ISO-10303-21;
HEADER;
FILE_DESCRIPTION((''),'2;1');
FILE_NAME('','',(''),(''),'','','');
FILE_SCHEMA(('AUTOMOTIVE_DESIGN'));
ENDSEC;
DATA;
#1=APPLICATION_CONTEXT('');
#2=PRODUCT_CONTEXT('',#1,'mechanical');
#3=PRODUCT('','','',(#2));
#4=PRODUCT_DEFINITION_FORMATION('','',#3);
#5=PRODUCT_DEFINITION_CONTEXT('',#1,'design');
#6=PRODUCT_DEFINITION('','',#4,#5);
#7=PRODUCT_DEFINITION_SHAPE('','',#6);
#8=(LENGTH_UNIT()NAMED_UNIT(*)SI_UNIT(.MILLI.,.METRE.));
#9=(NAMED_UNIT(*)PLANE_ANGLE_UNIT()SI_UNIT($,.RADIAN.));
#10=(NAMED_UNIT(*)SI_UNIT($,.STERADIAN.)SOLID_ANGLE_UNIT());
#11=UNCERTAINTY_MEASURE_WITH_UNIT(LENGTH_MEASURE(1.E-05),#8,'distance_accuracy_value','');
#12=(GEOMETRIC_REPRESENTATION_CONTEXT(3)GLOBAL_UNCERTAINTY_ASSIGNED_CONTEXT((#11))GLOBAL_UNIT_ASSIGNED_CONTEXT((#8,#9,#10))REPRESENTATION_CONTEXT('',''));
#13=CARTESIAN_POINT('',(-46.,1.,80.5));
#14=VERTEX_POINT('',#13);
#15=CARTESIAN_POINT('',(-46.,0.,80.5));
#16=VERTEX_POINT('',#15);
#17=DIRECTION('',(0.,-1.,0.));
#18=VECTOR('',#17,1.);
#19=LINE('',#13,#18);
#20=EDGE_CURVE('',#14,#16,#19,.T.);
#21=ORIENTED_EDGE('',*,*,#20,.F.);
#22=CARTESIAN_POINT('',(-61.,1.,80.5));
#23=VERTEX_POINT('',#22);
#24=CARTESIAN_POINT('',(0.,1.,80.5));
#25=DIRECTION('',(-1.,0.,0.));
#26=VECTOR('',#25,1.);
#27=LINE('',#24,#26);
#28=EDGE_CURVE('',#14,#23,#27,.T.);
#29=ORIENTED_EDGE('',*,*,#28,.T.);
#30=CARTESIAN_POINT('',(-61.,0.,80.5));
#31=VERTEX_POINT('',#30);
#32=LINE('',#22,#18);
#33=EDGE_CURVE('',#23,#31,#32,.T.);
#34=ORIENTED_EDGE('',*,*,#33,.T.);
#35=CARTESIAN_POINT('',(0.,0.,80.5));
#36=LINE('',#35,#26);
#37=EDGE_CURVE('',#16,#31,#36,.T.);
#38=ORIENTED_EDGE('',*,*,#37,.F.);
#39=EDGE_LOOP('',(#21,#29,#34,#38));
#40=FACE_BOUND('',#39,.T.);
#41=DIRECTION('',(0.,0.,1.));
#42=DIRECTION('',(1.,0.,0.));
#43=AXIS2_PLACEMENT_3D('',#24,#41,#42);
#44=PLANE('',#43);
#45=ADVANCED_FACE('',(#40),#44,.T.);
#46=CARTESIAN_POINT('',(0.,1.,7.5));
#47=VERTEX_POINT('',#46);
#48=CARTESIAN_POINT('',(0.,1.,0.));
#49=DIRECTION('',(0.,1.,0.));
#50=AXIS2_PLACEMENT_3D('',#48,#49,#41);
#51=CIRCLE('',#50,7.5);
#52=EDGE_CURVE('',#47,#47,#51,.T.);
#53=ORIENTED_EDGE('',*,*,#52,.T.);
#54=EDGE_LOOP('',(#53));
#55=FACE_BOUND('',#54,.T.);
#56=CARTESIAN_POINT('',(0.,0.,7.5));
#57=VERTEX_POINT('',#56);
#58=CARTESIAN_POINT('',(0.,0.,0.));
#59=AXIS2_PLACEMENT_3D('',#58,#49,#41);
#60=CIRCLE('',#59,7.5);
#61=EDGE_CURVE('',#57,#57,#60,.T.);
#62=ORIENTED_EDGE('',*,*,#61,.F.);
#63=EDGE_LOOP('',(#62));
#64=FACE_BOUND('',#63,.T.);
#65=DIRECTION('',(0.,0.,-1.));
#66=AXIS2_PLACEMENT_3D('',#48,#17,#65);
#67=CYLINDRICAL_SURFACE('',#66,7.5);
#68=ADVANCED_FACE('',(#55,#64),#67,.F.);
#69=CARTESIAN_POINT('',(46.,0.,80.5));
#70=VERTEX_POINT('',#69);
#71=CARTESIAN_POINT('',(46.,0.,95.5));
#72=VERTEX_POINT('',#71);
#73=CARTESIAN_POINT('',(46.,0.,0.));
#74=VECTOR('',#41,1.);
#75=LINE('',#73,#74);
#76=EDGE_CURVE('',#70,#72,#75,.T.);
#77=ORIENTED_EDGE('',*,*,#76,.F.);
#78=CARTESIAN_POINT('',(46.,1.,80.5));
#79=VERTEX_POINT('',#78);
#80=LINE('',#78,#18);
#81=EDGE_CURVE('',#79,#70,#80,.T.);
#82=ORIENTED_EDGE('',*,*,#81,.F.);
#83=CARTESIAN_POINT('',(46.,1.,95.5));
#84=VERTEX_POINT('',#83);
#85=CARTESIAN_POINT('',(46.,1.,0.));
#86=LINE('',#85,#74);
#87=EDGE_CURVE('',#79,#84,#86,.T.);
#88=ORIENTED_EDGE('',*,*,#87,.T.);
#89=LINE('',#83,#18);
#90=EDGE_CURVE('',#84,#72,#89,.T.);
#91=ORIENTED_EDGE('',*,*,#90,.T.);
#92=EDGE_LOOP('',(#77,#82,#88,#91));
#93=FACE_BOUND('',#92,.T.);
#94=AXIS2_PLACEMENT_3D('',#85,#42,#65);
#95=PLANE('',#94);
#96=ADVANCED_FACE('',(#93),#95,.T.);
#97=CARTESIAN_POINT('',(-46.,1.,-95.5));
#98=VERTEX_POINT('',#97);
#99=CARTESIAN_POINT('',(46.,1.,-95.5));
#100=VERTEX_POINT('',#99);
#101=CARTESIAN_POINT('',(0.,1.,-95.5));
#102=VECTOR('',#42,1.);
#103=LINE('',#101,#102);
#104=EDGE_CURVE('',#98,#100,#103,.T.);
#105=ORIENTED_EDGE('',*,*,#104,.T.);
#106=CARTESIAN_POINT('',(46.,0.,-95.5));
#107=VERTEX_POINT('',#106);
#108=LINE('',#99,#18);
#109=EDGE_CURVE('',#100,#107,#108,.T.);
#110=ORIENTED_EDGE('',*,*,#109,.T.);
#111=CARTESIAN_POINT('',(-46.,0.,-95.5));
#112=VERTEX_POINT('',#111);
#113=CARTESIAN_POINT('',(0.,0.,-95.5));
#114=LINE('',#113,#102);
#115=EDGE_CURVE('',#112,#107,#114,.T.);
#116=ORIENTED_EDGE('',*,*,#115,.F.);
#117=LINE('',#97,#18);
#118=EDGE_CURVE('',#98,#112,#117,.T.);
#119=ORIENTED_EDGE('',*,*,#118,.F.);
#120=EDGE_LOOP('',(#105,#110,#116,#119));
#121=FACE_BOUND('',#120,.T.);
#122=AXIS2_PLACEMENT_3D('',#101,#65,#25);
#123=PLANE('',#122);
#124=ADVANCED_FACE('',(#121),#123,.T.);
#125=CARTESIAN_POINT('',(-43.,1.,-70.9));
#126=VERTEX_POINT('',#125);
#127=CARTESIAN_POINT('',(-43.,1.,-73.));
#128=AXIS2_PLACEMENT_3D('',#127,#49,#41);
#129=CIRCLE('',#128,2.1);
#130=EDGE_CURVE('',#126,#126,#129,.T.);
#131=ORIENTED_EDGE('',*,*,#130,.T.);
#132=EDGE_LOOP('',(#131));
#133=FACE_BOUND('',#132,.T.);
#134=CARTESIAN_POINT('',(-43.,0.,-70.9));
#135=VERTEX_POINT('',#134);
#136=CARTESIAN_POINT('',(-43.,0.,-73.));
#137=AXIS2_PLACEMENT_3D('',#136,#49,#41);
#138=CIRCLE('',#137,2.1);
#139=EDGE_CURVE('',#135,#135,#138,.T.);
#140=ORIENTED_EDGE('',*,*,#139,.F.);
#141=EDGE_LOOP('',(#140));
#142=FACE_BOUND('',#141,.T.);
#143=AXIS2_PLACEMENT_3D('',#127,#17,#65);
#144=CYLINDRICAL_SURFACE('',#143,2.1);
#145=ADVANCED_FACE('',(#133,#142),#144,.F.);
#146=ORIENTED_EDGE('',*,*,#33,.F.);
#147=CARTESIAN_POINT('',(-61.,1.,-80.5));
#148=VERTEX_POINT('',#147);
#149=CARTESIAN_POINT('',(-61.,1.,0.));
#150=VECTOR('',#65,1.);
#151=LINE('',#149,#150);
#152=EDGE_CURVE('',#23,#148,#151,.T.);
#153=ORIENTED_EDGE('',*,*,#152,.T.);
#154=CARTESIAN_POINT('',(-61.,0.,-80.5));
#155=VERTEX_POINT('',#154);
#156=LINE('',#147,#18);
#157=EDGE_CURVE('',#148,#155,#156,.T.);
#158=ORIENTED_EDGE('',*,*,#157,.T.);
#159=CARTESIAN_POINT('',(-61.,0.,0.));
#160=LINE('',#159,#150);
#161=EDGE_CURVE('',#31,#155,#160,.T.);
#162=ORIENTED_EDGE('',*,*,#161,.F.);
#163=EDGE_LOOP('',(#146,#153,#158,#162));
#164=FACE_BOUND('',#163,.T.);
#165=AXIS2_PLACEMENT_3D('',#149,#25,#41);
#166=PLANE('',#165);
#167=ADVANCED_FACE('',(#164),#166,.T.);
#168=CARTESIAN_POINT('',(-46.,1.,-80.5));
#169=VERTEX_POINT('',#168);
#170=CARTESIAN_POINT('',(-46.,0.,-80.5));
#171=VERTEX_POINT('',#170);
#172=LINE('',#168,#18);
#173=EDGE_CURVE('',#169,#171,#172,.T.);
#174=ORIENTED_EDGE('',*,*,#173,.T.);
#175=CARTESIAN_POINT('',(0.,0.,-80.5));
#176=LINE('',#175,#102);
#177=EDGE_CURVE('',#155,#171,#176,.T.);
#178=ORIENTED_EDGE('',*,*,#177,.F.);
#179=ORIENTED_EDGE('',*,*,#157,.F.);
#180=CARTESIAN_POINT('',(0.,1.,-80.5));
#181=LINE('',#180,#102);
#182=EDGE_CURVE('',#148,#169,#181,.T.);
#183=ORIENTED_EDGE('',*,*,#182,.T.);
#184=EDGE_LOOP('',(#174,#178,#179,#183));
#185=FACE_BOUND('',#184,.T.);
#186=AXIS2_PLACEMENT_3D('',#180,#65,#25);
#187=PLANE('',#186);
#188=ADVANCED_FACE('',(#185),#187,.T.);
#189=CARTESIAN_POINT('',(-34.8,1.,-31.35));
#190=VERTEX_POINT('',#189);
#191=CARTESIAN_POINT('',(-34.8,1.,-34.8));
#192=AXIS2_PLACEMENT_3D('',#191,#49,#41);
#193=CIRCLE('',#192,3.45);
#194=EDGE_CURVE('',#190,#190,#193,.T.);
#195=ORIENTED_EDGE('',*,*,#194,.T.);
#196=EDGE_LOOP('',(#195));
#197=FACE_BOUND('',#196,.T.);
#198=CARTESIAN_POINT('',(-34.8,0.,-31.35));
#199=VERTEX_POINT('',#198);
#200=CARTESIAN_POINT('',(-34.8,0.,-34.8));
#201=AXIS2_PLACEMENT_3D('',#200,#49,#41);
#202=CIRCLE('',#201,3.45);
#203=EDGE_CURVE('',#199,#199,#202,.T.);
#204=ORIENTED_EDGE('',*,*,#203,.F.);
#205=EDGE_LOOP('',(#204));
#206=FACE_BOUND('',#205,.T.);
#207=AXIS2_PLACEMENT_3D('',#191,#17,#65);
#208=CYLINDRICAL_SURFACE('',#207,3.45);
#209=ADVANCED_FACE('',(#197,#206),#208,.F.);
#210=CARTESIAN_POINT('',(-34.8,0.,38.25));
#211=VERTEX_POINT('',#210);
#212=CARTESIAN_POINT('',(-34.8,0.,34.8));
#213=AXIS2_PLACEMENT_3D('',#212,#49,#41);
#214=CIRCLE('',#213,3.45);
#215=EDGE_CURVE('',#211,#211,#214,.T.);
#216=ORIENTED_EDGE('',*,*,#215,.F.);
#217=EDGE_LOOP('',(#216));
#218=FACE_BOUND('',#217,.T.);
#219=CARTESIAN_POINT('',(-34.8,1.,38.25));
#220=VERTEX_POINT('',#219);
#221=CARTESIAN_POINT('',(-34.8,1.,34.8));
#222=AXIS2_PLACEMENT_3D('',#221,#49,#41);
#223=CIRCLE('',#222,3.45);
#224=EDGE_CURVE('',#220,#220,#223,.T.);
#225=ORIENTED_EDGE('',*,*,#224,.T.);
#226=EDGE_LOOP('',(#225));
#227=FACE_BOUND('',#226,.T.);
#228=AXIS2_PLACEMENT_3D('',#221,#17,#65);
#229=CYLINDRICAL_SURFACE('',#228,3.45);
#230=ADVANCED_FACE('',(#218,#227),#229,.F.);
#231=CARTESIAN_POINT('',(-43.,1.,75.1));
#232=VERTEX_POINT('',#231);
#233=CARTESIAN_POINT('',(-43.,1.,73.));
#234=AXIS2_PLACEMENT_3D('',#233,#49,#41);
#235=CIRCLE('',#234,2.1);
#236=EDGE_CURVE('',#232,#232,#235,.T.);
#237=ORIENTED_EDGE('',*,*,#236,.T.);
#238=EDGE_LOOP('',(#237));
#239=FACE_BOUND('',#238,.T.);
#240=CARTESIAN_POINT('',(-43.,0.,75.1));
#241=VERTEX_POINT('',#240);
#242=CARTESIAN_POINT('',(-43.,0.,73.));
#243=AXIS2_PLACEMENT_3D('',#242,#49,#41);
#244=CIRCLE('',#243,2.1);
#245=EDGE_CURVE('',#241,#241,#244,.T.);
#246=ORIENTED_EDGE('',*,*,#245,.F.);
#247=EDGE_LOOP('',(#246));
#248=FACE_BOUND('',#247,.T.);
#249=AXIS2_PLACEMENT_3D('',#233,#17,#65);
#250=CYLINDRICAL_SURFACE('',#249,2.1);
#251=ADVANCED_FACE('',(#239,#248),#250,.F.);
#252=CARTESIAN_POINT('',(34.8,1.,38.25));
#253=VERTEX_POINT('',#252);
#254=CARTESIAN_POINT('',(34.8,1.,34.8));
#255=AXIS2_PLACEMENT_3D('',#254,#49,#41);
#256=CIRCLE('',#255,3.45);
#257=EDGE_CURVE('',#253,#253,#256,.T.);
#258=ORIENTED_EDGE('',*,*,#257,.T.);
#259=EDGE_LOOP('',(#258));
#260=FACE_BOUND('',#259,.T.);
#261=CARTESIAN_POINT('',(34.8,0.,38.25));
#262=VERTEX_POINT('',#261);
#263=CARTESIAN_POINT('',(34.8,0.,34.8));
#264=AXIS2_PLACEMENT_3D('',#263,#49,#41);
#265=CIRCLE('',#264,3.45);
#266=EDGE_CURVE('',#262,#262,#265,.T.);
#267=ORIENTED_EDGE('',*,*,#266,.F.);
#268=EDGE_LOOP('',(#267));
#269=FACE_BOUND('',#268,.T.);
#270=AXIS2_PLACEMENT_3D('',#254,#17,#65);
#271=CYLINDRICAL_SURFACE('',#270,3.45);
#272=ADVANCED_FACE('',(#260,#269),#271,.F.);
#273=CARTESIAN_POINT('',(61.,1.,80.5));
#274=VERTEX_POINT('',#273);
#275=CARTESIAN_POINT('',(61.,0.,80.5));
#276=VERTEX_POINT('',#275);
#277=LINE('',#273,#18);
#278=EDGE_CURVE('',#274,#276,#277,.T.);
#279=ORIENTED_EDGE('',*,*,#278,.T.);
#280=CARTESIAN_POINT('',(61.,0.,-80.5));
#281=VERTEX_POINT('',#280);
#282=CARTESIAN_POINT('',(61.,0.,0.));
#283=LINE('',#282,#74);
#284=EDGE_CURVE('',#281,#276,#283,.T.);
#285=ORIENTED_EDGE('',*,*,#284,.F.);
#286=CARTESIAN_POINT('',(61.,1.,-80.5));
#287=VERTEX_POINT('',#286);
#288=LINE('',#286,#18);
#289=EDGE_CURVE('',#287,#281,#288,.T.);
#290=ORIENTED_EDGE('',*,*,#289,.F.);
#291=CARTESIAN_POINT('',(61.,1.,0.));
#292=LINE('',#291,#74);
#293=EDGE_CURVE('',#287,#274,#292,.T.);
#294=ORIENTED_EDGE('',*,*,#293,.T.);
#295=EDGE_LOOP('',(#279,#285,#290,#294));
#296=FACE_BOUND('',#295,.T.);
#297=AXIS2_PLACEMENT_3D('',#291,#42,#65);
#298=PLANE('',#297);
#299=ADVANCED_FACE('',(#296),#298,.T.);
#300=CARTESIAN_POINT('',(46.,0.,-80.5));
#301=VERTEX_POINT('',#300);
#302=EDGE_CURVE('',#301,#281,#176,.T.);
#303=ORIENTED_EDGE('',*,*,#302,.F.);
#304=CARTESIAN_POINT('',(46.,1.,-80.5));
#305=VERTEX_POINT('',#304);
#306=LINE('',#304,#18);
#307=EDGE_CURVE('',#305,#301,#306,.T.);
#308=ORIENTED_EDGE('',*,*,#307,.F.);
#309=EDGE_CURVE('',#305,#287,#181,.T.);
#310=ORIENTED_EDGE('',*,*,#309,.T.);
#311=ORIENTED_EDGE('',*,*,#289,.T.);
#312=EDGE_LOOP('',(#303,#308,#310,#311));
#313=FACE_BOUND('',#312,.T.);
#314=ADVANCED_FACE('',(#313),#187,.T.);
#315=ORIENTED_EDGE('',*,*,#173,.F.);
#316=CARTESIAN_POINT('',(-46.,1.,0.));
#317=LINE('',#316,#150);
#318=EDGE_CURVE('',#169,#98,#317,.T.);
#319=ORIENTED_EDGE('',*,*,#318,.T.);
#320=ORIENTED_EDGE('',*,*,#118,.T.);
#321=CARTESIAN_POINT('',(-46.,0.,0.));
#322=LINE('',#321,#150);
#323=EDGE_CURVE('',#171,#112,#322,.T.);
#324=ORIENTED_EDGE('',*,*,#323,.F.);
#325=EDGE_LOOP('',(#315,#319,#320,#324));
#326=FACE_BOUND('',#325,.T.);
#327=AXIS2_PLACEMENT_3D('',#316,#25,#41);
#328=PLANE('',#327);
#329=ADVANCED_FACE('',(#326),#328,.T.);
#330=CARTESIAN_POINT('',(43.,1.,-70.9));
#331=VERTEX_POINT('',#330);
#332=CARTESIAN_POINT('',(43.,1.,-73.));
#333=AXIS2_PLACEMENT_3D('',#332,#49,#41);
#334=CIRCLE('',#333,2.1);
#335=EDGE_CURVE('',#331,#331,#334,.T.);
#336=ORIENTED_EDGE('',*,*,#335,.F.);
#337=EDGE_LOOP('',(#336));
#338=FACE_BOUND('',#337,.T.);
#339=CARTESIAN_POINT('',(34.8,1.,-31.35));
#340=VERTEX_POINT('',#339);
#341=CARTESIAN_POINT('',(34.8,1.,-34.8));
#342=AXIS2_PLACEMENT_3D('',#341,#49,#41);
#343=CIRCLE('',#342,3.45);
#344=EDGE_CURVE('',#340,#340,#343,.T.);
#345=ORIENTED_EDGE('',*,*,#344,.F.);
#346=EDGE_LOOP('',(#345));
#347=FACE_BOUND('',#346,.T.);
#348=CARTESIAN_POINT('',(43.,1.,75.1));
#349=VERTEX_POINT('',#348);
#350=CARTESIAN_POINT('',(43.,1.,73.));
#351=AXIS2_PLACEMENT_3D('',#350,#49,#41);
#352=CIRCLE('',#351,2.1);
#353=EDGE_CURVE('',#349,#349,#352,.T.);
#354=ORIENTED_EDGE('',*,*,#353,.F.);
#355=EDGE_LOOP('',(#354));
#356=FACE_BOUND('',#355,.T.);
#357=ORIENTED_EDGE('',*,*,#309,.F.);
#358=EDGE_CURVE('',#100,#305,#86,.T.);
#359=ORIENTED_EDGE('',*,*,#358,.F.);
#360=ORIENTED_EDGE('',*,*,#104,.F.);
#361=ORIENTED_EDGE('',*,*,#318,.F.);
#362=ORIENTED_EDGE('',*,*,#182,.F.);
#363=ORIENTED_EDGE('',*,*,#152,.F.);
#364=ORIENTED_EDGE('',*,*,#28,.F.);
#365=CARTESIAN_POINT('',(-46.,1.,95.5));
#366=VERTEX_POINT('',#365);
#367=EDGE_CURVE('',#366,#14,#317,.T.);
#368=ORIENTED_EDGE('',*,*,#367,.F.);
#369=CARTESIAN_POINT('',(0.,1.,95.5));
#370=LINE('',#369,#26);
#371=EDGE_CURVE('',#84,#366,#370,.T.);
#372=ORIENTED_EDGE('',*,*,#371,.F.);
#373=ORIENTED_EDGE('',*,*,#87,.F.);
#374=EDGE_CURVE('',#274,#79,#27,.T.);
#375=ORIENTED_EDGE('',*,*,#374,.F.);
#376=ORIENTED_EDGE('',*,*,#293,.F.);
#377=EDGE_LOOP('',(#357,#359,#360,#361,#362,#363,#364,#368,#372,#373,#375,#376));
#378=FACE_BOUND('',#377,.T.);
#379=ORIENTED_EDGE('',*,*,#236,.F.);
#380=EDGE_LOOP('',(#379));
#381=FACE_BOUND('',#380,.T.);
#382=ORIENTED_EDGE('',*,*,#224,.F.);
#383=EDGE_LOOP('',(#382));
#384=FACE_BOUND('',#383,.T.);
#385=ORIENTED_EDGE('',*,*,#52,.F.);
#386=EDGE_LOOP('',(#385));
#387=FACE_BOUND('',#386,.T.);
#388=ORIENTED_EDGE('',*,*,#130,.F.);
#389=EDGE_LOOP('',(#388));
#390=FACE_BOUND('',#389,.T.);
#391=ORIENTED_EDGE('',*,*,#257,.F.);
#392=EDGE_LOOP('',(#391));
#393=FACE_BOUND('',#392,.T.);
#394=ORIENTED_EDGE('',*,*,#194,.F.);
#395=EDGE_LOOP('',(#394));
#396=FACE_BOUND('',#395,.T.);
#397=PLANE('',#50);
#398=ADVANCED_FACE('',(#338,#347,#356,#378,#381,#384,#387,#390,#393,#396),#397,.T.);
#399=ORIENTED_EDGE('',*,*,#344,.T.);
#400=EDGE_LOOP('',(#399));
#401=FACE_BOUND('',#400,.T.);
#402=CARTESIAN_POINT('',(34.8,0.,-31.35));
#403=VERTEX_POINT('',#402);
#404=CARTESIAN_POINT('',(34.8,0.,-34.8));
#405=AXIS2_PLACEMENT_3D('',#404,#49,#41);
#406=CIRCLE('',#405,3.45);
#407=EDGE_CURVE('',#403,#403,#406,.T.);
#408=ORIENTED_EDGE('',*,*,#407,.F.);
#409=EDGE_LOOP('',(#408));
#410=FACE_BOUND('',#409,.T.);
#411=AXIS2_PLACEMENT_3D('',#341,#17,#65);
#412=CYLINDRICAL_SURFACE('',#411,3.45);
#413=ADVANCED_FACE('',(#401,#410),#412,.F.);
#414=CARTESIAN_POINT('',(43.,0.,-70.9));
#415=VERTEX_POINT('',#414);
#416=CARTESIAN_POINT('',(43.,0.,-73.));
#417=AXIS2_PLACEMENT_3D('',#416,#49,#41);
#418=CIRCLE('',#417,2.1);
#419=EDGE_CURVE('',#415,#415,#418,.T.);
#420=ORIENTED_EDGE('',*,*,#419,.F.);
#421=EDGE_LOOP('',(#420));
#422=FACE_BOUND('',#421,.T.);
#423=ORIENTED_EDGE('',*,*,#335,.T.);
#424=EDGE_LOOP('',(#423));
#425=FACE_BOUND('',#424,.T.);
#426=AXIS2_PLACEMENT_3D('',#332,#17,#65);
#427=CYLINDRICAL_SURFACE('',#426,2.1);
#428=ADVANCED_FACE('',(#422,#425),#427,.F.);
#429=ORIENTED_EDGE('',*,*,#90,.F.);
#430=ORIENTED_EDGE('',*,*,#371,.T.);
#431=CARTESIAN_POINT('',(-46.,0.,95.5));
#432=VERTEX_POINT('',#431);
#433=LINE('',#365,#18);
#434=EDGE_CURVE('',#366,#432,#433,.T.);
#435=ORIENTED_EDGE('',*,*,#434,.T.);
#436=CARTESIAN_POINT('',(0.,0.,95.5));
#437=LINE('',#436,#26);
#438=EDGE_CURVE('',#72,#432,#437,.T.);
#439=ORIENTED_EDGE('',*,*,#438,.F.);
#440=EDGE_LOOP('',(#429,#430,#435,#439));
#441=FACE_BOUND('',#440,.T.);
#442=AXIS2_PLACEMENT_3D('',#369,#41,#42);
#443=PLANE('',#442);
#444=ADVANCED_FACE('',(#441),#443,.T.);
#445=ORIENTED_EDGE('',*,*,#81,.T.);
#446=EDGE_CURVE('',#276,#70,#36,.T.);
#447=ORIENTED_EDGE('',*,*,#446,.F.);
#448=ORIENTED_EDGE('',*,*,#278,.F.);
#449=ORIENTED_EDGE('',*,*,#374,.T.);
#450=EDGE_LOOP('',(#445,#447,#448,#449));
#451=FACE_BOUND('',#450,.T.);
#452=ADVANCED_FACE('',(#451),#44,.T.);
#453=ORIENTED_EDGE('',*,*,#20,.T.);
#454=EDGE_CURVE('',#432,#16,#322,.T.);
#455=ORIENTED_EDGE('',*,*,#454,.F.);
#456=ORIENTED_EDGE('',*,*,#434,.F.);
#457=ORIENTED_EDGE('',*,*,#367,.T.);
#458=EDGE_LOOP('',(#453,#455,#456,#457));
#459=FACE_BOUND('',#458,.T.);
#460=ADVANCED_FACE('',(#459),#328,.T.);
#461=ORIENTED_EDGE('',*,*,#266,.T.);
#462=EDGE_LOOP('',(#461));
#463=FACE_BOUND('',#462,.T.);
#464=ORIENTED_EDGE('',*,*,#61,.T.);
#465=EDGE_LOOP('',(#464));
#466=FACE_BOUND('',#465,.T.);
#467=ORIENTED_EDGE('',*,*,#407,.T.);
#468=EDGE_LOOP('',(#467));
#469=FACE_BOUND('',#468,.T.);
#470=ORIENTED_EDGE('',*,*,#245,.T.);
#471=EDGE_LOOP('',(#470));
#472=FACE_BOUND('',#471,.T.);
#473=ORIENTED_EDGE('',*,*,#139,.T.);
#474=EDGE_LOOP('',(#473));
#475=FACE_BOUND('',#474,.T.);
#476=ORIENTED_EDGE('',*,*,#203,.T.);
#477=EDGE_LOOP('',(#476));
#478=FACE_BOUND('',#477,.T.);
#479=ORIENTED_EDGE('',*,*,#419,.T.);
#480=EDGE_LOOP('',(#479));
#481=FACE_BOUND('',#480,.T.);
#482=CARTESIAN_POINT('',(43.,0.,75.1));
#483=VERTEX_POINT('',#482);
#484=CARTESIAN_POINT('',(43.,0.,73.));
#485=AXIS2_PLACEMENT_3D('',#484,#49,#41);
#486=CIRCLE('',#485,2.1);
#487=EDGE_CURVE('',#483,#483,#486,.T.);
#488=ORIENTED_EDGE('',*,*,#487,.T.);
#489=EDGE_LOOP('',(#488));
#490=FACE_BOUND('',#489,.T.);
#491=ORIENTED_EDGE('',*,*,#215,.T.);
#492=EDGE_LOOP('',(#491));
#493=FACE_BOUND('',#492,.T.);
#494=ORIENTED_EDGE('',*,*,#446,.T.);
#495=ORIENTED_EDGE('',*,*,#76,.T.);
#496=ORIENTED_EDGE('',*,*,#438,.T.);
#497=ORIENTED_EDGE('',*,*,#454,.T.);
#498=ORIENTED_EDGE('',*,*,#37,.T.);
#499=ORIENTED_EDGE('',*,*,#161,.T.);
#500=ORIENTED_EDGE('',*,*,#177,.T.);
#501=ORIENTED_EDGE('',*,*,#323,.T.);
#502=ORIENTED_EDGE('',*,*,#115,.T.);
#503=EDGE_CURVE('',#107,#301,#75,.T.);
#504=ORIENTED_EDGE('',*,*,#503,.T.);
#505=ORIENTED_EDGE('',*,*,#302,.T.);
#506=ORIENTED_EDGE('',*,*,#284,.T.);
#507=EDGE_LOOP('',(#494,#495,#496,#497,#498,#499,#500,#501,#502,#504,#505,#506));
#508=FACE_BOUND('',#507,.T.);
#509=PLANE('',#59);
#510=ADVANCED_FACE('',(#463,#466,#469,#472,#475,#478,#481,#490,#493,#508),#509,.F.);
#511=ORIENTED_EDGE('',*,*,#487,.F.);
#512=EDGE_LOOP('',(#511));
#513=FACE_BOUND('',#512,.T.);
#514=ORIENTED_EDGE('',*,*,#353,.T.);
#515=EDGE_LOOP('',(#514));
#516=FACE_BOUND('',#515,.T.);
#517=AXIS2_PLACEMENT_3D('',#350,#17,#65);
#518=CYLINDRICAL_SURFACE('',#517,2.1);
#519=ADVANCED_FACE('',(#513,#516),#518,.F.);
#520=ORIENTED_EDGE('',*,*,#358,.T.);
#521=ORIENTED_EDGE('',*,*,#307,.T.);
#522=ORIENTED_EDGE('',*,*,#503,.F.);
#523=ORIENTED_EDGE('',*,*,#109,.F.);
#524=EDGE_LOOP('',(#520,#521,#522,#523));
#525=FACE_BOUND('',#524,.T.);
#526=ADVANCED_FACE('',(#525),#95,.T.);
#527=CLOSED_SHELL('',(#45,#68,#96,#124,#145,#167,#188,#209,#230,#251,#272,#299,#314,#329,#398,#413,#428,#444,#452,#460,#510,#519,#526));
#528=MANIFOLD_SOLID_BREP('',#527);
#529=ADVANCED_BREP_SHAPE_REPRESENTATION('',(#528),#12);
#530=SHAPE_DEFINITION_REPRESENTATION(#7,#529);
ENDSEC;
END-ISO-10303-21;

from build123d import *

# Parameters (mm, degrees)
SKETCH1_R           = 3.45
SKETCH1_R_2         = 7.5
SKETCH1_R_3         = 2.1
BOSS_EXTRUDE1_DEPTH = 1


with BuildPart() as part:
    # Sketch1 → Boss-Extrude1 (new body)
    with BuildSketch(Plane(origin=(0, 0, 0), x_dir=(1, 0, 0), z_dir=(0, 1, 0))):
        Polygon((-46, -80.5), (-61, -80.5), (-61, 80.5), (-46, 80.5), (-46, 95.5), (46, 95.5), (46, 80.5), (61, 80.5), (61, -80.5), (46, -80.5), (46, -95.5), (-46, -95.5), align=None)
        with Locations(Location((-34.8, 34.8, 0), (0, 0, 270))):
            Circle(SKETCH1_R, mode=Mode.SUBTRACT)
        with Locations(Location((34.8, 34.8, 0), (0, 0, 270))):
            Circle(SKETCH1_R, mode=Mode.SUBTRACT)
        with Locations(Location((34.8, -34.8, 0), (0, 0, 270))):
            Circle(SKETCH1_R, mode=Mode.SUBTRACT)
        with Locations(Location((-34.8, -34.8, 0), (0, 0, 270))):
            Circle(SKETCH1_R, mode=Mode.SUBTRACT)
        with Locations(Location((0, 0, 0), (0, 0, 270))):
            Circle(SKETCH1_R_2, mode=Mode.SUBTRACT)
        with Locations(Location((-43, -73, 0), (0, 0, 270))):
            Circle(SKETCH1_R_3, mode=Mode.SUBTRACT)
        with Locations(Location((43, -73, 0), (0, 0, 270))):
            Circle(SKETCH1_R_3, mode=Mode.SUBTRACT)
        with Locations(Location((-43, 73, 0), (0, 0, 270))):
            Circle(SKETCH1_R_3, mode=Mode.SUBTRACT)
        with Locations(Location((43, 73, 0), (0, 0, 270))):
            Circle(SKETCH1_R_3, mode=Mode.SUBTRACT)
    extrude(amount=BOSS_EXTRUDE1_DEPTH)


solid = part.part
